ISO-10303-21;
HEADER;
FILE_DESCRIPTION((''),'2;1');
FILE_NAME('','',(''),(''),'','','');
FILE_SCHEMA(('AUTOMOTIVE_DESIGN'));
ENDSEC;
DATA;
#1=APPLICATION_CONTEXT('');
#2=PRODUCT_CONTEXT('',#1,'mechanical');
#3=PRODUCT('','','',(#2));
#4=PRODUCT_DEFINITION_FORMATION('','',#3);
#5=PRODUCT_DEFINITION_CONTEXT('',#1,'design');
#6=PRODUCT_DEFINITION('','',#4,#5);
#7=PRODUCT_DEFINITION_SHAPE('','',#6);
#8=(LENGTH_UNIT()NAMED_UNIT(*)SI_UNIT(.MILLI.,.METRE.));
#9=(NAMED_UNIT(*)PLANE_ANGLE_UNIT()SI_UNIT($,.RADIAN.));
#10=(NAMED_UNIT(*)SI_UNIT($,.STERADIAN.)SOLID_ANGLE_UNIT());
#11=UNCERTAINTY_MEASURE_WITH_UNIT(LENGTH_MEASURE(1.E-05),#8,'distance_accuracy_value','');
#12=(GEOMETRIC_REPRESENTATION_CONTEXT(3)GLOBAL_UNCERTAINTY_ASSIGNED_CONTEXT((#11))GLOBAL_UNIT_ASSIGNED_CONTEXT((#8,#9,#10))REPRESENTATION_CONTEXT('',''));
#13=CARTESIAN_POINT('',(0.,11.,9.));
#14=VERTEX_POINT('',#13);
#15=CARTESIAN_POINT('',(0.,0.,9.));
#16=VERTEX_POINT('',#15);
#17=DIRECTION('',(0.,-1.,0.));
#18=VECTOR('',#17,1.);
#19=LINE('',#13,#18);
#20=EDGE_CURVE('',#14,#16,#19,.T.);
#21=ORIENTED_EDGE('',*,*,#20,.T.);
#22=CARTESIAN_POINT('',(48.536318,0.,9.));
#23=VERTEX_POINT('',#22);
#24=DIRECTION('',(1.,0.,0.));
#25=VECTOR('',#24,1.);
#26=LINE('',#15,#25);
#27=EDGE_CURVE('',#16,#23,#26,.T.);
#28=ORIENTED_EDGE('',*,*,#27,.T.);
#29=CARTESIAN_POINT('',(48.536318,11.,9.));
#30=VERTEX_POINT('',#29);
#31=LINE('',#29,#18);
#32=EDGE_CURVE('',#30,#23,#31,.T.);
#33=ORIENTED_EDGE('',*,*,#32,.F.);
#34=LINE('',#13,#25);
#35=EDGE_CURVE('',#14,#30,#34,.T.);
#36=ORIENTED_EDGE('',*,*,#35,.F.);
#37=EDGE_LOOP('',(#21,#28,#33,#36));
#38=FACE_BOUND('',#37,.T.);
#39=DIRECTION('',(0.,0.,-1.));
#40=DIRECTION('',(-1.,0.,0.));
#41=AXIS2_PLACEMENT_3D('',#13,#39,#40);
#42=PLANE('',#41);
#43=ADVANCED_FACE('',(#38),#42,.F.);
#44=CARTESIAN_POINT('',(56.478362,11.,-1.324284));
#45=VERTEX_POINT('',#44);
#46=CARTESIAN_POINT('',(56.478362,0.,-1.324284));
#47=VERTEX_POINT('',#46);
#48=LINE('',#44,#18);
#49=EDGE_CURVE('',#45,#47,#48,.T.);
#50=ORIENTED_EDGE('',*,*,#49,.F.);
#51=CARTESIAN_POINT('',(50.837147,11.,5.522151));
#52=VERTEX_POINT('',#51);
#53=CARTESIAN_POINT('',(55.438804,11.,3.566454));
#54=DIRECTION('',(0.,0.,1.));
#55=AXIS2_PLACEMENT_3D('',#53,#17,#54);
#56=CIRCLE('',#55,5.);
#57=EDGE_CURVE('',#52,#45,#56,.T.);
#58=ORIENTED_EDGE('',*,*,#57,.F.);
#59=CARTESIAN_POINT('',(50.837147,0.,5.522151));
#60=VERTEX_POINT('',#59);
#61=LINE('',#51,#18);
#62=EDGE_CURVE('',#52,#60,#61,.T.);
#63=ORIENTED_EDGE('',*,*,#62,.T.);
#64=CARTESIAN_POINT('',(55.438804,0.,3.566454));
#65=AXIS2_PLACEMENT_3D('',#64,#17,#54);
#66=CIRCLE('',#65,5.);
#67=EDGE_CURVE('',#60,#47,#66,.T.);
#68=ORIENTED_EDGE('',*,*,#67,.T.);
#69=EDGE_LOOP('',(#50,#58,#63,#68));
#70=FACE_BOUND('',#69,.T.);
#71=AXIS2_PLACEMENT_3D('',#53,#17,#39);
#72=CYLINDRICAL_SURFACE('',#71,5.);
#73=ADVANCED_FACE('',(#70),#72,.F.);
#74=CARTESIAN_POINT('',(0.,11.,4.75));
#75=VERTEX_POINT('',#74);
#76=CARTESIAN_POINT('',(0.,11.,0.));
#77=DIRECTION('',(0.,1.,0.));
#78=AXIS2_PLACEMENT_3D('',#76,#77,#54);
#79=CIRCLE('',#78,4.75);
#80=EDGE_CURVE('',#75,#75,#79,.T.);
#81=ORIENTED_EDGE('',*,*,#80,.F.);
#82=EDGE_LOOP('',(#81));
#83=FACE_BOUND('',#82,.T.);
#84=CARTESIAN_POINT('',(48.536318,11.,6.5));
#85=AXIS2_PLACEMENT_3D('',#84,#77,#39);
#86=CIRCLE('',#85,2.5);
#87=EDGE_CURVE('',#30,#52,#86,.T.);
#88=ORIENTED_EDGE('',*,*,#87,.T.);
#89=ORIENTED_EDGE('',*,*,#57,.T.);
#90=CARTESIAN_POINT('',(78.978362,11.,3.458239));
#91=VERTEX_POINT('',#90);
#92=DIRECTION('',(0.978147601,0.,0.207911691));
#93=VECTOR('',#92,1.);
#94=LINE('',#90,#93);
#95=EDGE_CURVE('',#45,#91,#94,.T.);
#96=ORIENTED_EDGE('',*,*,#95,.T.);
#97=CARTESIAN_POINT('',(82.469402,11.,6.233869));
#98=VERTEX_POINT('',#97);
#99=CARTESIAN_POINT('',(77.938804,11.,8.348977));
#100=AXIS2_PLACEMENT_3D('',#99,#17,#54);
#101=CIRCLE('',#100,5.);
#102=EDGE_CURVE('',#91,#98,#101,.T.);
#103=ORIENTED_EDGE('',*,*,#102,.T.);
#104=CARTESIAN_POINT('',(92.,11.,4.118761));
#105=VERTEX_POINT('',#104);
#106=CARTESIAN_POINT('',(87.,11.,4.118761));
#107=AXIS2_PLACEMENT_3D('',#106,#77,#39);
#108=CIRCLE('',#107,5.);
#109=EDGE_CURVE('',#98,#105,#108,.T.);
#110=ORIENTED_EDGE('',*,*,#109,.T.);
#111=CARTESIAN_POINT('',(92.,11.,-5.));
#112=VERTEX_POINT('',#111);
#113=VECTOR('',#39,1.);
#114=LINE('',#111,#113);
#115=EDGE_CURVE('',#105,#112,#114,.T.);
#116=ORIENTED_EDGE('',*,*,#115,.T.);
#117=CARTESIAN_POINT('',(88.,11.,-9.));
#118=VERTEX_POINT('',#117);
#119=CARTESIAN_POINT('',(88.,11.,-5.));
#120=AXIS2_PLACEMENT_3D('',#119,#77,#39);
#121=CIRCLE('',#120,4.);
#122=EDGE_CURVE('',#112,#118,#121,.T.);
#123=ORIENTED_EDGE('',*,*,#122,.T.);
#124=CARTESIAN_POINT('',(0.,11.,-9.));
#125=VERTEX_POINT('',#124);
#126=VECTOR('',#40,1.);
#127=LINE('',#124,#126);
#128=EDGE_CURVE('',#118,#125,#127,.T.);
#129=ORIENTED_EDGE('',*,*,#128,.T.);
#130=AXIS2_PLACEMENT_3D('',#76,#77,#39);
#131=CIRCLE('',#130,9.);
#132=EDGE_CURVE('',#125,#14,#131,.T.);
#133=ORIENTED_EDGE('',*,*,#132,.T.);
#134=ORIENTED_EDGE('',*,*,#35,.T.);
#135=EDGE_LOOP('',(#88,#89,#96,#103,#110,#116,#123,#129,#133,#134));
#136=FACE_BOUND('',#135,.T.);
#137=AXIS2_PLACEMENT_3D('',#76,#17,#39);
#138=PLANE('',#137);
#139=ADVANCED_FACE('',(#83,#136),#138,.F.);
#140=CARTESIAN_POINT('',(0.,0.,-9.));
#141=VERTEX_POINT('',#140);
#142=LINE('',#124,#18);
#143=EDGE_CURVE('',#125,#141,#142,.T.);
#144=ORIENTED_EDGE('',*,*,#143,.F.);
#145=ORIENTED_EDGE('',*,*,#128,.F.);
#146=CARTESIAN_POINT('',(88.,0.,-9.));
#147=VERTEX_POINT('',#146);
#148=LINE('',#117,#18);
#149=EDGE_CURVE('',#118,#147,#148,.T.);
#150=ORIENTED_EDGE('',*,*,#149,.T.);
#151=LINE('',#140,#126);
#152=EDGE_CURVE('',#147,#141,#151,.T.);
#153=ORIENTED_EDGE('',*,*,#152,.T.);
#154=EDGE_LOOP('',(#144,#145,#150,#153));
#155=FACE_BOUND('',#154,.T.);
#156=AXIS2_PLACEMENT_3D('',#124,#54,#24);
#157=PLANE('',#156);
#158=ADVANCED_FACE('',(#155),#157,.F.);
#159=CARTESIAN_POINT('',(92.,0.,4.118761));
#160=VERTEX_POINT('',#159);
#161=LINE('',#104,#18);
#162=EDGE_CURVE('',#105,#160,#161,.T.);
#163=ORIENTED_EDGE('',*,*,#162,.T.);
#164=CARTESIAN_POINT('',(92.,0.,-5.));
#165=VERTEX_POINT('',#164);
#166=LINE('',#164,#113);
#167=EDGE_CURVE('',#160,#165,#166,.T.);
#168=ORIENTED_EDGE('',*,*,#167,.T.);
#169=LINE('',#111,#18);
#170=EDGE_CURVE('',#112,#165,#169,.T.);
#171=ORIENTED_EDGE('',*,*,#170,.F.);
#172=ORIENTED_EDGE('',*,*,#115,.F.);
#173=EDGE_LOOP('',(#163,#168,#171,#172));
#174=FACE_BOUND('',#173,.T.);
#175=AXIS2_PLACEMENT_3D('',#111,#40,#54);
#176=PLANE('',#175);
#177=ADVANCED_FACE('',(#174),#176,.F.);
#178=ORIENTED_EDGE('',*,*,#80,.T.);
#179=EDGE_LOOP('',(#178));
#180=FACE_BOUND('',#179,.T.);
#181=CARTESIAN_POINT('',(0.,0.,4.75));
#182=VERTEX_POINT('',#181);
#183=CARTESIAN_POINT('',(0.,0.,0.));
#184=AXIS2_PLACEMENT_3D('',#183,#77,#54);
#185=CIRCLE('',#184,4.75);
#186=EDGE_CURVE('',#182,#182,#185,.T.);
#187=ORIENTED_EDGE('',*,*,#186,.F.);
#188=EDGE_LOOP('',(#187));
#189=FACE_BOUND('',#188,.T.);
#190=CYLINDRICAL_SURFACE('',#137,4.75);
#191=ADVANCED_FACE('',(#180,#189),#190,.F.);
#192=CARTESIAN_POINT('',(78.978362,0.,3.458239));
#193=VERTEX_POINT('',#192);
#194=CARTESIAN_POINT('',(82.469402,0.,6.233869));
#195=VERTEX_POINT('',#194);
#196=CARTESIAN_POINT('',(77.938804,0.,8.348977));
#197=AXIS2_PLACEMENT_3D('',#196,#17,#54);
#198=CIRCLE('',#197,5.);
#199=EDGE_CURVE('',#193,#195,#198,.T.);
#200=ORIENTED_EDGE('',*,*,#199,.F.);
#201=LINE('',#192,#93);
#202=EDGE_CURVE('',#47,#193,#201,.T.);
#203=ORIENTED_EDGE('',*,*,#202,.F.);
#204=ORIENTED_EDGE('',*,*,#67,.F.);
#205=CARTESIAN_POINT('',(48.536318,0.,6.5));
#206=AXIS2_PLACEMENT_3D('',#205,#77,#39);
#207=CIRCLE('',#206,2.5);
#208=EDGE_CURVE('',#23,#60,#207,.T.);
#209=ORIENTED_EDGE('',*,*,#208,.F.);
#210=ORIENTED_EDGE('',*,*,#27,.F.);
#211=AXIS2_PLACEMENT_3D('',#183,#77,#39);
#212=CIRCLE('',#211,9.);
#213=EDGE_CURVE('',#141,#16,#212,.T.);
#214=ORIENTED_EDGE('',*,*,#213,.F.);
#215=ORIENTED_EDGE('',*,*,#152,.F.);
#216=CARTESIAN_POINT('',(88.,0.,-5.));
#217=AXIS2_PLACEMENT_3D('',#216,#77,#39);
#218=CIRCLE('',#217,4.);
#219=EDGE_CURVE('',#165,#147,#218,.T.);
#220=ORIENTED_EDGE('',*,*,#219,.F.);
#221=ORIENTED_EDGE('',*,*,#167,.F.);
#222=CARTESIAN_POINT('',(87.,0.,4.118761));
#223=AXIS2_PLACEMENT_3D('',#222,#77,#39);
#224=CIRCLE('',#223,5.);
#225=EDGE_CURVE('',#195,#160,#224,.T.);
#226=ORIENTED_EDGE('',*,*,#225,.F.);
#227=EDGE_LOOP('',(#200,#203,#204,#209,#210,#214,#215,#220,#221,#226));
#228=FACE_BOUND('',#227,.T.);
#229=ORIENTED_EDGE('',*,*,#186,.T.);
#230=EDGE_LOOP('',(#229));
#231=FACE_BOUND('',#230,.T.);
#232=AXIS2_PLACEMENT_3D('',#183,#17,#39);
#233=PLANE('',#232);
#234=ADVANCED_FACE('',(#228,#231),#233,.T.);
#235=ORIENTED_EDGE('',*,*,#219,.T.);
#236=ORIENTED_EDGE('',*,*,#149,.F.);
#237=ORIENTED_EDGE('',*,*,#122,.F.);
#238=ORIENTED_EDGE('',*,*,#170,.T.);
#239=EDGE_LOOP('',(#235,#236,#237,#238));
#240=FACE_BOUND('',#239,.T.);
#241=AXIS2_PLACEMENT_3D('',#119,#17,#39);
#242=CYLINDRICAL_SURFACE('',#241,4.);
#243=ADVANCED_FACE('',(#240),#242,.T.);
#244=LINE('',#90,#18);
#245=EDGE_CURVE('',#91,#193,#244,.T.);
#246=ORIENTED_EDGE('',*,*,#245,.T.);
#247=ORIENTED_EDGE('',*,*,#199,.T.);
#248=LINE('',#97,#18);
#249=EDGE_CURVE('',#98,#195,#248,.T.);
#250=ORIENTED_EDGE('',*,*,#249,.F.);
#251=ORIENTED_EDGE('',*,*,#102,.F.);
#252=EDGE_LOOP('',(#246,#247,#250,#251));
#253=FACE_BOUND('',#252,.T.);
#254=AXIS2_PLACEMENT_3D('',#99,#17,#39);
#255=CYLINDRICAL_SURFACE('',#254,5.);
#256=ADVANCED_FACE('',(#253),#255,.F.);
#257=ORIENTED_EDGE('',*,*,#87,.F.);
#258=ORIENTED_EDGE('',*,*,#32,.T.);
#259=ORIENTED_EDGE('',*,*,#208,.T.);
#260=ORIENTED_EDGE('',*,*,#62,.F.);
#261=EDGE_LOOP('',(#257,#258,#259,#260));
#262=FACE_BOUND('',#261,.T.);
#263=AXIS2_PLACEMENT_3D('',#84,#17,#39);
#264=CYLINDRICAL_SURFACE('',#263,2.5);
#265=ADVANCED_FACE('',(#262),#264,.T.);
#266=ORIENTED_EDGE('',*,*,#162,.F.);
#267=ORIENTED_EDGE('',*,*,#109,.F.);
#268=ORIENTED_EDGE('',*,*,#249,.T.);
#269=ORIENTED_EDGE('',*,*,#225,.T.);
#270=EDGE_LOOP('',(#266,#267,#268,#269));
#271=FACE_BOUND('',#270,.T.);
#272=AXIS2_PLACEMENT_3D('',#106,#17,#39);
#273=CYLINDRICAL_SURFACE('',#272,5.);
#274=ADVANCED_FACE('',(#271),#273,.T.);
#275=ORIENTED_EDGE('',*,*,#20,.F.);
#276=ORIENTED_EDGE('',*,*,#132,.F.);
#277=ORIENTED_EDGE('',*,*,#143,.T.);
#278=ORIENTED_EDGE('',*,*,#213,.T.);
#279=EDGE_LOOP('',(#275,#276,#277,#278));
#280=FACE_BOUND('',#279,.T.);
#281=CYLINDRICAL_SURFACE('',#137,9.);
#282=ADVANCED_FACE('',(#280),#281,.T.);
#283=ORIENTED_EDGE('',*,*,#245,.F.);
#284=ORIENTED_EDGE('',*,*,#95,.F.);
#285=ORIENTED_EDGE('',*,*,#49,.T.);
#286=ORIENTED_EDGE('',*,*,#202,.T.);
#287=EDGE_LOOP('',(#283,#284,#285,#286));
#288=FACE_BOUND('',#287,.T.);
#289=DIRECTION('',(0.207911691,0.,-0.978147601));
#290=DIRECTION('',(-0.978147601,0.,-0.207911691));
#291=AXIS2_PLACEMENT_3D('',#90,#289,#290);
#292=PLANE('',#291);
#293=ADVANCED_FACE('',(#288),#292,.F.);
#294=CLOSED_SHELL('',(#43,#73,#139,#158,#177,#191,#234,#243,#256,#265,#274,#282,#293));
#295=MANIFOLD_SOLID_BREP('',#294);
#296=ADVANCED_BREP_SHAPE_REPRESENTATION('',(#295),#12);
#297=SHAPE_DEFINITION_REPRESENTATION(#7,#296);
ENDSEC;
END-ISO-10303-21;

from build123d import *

# Parameters (mm, degrees)
SKETCH1_R           = 4.75
BOSS_EXTRUDE1_DEPTH = 11


with BuildPart() as part:
    # Sketch1 → Boss-Extrude1 (new body)
    with BuildSketch(Plane(origin=(0, 0, 0), x_dir=(1, 0, 0), z_dir=(0, 1, 0))):
        with BuildLine():
            Line((0, 9), (88, 9))
            ThreePointArc((88, 9), (90.828427125, 7.828427125), (92, 5))
            Line((92, 5), (92, -4.118760913))
            ThreePointArc((92, -4.118760913), (88.083284346, -9), (82.46940199, -6.233868869))
            ThreePointArc((82.46940199, -6.233868869), (81.050506295, -4.43524348), (78.978362433, -3.458238822))
            Line((78.978362433, -3.458238822), (56.478362433, 1.324283815))
            ThreePointArc((56.478362433, 1.324283815), (51.57997572, -0.38691893), (50.837146839, -5.522151396))
            ThreePointArc((50.837146839, -5.522151396), (50.621338834, -7.879380022), (48.53631827, -9))
            Line((48.53631827, -9), (0, -9))
            ThreePointArc((0, -9), (-9, 0), (0, 9))
        make_face()
        Circle(SKETCH1_R, mode=Mode.SUBTRACT)
    extrude(amount=BOSS_EXTRUDE1_DEPTH)


solid = part.part
